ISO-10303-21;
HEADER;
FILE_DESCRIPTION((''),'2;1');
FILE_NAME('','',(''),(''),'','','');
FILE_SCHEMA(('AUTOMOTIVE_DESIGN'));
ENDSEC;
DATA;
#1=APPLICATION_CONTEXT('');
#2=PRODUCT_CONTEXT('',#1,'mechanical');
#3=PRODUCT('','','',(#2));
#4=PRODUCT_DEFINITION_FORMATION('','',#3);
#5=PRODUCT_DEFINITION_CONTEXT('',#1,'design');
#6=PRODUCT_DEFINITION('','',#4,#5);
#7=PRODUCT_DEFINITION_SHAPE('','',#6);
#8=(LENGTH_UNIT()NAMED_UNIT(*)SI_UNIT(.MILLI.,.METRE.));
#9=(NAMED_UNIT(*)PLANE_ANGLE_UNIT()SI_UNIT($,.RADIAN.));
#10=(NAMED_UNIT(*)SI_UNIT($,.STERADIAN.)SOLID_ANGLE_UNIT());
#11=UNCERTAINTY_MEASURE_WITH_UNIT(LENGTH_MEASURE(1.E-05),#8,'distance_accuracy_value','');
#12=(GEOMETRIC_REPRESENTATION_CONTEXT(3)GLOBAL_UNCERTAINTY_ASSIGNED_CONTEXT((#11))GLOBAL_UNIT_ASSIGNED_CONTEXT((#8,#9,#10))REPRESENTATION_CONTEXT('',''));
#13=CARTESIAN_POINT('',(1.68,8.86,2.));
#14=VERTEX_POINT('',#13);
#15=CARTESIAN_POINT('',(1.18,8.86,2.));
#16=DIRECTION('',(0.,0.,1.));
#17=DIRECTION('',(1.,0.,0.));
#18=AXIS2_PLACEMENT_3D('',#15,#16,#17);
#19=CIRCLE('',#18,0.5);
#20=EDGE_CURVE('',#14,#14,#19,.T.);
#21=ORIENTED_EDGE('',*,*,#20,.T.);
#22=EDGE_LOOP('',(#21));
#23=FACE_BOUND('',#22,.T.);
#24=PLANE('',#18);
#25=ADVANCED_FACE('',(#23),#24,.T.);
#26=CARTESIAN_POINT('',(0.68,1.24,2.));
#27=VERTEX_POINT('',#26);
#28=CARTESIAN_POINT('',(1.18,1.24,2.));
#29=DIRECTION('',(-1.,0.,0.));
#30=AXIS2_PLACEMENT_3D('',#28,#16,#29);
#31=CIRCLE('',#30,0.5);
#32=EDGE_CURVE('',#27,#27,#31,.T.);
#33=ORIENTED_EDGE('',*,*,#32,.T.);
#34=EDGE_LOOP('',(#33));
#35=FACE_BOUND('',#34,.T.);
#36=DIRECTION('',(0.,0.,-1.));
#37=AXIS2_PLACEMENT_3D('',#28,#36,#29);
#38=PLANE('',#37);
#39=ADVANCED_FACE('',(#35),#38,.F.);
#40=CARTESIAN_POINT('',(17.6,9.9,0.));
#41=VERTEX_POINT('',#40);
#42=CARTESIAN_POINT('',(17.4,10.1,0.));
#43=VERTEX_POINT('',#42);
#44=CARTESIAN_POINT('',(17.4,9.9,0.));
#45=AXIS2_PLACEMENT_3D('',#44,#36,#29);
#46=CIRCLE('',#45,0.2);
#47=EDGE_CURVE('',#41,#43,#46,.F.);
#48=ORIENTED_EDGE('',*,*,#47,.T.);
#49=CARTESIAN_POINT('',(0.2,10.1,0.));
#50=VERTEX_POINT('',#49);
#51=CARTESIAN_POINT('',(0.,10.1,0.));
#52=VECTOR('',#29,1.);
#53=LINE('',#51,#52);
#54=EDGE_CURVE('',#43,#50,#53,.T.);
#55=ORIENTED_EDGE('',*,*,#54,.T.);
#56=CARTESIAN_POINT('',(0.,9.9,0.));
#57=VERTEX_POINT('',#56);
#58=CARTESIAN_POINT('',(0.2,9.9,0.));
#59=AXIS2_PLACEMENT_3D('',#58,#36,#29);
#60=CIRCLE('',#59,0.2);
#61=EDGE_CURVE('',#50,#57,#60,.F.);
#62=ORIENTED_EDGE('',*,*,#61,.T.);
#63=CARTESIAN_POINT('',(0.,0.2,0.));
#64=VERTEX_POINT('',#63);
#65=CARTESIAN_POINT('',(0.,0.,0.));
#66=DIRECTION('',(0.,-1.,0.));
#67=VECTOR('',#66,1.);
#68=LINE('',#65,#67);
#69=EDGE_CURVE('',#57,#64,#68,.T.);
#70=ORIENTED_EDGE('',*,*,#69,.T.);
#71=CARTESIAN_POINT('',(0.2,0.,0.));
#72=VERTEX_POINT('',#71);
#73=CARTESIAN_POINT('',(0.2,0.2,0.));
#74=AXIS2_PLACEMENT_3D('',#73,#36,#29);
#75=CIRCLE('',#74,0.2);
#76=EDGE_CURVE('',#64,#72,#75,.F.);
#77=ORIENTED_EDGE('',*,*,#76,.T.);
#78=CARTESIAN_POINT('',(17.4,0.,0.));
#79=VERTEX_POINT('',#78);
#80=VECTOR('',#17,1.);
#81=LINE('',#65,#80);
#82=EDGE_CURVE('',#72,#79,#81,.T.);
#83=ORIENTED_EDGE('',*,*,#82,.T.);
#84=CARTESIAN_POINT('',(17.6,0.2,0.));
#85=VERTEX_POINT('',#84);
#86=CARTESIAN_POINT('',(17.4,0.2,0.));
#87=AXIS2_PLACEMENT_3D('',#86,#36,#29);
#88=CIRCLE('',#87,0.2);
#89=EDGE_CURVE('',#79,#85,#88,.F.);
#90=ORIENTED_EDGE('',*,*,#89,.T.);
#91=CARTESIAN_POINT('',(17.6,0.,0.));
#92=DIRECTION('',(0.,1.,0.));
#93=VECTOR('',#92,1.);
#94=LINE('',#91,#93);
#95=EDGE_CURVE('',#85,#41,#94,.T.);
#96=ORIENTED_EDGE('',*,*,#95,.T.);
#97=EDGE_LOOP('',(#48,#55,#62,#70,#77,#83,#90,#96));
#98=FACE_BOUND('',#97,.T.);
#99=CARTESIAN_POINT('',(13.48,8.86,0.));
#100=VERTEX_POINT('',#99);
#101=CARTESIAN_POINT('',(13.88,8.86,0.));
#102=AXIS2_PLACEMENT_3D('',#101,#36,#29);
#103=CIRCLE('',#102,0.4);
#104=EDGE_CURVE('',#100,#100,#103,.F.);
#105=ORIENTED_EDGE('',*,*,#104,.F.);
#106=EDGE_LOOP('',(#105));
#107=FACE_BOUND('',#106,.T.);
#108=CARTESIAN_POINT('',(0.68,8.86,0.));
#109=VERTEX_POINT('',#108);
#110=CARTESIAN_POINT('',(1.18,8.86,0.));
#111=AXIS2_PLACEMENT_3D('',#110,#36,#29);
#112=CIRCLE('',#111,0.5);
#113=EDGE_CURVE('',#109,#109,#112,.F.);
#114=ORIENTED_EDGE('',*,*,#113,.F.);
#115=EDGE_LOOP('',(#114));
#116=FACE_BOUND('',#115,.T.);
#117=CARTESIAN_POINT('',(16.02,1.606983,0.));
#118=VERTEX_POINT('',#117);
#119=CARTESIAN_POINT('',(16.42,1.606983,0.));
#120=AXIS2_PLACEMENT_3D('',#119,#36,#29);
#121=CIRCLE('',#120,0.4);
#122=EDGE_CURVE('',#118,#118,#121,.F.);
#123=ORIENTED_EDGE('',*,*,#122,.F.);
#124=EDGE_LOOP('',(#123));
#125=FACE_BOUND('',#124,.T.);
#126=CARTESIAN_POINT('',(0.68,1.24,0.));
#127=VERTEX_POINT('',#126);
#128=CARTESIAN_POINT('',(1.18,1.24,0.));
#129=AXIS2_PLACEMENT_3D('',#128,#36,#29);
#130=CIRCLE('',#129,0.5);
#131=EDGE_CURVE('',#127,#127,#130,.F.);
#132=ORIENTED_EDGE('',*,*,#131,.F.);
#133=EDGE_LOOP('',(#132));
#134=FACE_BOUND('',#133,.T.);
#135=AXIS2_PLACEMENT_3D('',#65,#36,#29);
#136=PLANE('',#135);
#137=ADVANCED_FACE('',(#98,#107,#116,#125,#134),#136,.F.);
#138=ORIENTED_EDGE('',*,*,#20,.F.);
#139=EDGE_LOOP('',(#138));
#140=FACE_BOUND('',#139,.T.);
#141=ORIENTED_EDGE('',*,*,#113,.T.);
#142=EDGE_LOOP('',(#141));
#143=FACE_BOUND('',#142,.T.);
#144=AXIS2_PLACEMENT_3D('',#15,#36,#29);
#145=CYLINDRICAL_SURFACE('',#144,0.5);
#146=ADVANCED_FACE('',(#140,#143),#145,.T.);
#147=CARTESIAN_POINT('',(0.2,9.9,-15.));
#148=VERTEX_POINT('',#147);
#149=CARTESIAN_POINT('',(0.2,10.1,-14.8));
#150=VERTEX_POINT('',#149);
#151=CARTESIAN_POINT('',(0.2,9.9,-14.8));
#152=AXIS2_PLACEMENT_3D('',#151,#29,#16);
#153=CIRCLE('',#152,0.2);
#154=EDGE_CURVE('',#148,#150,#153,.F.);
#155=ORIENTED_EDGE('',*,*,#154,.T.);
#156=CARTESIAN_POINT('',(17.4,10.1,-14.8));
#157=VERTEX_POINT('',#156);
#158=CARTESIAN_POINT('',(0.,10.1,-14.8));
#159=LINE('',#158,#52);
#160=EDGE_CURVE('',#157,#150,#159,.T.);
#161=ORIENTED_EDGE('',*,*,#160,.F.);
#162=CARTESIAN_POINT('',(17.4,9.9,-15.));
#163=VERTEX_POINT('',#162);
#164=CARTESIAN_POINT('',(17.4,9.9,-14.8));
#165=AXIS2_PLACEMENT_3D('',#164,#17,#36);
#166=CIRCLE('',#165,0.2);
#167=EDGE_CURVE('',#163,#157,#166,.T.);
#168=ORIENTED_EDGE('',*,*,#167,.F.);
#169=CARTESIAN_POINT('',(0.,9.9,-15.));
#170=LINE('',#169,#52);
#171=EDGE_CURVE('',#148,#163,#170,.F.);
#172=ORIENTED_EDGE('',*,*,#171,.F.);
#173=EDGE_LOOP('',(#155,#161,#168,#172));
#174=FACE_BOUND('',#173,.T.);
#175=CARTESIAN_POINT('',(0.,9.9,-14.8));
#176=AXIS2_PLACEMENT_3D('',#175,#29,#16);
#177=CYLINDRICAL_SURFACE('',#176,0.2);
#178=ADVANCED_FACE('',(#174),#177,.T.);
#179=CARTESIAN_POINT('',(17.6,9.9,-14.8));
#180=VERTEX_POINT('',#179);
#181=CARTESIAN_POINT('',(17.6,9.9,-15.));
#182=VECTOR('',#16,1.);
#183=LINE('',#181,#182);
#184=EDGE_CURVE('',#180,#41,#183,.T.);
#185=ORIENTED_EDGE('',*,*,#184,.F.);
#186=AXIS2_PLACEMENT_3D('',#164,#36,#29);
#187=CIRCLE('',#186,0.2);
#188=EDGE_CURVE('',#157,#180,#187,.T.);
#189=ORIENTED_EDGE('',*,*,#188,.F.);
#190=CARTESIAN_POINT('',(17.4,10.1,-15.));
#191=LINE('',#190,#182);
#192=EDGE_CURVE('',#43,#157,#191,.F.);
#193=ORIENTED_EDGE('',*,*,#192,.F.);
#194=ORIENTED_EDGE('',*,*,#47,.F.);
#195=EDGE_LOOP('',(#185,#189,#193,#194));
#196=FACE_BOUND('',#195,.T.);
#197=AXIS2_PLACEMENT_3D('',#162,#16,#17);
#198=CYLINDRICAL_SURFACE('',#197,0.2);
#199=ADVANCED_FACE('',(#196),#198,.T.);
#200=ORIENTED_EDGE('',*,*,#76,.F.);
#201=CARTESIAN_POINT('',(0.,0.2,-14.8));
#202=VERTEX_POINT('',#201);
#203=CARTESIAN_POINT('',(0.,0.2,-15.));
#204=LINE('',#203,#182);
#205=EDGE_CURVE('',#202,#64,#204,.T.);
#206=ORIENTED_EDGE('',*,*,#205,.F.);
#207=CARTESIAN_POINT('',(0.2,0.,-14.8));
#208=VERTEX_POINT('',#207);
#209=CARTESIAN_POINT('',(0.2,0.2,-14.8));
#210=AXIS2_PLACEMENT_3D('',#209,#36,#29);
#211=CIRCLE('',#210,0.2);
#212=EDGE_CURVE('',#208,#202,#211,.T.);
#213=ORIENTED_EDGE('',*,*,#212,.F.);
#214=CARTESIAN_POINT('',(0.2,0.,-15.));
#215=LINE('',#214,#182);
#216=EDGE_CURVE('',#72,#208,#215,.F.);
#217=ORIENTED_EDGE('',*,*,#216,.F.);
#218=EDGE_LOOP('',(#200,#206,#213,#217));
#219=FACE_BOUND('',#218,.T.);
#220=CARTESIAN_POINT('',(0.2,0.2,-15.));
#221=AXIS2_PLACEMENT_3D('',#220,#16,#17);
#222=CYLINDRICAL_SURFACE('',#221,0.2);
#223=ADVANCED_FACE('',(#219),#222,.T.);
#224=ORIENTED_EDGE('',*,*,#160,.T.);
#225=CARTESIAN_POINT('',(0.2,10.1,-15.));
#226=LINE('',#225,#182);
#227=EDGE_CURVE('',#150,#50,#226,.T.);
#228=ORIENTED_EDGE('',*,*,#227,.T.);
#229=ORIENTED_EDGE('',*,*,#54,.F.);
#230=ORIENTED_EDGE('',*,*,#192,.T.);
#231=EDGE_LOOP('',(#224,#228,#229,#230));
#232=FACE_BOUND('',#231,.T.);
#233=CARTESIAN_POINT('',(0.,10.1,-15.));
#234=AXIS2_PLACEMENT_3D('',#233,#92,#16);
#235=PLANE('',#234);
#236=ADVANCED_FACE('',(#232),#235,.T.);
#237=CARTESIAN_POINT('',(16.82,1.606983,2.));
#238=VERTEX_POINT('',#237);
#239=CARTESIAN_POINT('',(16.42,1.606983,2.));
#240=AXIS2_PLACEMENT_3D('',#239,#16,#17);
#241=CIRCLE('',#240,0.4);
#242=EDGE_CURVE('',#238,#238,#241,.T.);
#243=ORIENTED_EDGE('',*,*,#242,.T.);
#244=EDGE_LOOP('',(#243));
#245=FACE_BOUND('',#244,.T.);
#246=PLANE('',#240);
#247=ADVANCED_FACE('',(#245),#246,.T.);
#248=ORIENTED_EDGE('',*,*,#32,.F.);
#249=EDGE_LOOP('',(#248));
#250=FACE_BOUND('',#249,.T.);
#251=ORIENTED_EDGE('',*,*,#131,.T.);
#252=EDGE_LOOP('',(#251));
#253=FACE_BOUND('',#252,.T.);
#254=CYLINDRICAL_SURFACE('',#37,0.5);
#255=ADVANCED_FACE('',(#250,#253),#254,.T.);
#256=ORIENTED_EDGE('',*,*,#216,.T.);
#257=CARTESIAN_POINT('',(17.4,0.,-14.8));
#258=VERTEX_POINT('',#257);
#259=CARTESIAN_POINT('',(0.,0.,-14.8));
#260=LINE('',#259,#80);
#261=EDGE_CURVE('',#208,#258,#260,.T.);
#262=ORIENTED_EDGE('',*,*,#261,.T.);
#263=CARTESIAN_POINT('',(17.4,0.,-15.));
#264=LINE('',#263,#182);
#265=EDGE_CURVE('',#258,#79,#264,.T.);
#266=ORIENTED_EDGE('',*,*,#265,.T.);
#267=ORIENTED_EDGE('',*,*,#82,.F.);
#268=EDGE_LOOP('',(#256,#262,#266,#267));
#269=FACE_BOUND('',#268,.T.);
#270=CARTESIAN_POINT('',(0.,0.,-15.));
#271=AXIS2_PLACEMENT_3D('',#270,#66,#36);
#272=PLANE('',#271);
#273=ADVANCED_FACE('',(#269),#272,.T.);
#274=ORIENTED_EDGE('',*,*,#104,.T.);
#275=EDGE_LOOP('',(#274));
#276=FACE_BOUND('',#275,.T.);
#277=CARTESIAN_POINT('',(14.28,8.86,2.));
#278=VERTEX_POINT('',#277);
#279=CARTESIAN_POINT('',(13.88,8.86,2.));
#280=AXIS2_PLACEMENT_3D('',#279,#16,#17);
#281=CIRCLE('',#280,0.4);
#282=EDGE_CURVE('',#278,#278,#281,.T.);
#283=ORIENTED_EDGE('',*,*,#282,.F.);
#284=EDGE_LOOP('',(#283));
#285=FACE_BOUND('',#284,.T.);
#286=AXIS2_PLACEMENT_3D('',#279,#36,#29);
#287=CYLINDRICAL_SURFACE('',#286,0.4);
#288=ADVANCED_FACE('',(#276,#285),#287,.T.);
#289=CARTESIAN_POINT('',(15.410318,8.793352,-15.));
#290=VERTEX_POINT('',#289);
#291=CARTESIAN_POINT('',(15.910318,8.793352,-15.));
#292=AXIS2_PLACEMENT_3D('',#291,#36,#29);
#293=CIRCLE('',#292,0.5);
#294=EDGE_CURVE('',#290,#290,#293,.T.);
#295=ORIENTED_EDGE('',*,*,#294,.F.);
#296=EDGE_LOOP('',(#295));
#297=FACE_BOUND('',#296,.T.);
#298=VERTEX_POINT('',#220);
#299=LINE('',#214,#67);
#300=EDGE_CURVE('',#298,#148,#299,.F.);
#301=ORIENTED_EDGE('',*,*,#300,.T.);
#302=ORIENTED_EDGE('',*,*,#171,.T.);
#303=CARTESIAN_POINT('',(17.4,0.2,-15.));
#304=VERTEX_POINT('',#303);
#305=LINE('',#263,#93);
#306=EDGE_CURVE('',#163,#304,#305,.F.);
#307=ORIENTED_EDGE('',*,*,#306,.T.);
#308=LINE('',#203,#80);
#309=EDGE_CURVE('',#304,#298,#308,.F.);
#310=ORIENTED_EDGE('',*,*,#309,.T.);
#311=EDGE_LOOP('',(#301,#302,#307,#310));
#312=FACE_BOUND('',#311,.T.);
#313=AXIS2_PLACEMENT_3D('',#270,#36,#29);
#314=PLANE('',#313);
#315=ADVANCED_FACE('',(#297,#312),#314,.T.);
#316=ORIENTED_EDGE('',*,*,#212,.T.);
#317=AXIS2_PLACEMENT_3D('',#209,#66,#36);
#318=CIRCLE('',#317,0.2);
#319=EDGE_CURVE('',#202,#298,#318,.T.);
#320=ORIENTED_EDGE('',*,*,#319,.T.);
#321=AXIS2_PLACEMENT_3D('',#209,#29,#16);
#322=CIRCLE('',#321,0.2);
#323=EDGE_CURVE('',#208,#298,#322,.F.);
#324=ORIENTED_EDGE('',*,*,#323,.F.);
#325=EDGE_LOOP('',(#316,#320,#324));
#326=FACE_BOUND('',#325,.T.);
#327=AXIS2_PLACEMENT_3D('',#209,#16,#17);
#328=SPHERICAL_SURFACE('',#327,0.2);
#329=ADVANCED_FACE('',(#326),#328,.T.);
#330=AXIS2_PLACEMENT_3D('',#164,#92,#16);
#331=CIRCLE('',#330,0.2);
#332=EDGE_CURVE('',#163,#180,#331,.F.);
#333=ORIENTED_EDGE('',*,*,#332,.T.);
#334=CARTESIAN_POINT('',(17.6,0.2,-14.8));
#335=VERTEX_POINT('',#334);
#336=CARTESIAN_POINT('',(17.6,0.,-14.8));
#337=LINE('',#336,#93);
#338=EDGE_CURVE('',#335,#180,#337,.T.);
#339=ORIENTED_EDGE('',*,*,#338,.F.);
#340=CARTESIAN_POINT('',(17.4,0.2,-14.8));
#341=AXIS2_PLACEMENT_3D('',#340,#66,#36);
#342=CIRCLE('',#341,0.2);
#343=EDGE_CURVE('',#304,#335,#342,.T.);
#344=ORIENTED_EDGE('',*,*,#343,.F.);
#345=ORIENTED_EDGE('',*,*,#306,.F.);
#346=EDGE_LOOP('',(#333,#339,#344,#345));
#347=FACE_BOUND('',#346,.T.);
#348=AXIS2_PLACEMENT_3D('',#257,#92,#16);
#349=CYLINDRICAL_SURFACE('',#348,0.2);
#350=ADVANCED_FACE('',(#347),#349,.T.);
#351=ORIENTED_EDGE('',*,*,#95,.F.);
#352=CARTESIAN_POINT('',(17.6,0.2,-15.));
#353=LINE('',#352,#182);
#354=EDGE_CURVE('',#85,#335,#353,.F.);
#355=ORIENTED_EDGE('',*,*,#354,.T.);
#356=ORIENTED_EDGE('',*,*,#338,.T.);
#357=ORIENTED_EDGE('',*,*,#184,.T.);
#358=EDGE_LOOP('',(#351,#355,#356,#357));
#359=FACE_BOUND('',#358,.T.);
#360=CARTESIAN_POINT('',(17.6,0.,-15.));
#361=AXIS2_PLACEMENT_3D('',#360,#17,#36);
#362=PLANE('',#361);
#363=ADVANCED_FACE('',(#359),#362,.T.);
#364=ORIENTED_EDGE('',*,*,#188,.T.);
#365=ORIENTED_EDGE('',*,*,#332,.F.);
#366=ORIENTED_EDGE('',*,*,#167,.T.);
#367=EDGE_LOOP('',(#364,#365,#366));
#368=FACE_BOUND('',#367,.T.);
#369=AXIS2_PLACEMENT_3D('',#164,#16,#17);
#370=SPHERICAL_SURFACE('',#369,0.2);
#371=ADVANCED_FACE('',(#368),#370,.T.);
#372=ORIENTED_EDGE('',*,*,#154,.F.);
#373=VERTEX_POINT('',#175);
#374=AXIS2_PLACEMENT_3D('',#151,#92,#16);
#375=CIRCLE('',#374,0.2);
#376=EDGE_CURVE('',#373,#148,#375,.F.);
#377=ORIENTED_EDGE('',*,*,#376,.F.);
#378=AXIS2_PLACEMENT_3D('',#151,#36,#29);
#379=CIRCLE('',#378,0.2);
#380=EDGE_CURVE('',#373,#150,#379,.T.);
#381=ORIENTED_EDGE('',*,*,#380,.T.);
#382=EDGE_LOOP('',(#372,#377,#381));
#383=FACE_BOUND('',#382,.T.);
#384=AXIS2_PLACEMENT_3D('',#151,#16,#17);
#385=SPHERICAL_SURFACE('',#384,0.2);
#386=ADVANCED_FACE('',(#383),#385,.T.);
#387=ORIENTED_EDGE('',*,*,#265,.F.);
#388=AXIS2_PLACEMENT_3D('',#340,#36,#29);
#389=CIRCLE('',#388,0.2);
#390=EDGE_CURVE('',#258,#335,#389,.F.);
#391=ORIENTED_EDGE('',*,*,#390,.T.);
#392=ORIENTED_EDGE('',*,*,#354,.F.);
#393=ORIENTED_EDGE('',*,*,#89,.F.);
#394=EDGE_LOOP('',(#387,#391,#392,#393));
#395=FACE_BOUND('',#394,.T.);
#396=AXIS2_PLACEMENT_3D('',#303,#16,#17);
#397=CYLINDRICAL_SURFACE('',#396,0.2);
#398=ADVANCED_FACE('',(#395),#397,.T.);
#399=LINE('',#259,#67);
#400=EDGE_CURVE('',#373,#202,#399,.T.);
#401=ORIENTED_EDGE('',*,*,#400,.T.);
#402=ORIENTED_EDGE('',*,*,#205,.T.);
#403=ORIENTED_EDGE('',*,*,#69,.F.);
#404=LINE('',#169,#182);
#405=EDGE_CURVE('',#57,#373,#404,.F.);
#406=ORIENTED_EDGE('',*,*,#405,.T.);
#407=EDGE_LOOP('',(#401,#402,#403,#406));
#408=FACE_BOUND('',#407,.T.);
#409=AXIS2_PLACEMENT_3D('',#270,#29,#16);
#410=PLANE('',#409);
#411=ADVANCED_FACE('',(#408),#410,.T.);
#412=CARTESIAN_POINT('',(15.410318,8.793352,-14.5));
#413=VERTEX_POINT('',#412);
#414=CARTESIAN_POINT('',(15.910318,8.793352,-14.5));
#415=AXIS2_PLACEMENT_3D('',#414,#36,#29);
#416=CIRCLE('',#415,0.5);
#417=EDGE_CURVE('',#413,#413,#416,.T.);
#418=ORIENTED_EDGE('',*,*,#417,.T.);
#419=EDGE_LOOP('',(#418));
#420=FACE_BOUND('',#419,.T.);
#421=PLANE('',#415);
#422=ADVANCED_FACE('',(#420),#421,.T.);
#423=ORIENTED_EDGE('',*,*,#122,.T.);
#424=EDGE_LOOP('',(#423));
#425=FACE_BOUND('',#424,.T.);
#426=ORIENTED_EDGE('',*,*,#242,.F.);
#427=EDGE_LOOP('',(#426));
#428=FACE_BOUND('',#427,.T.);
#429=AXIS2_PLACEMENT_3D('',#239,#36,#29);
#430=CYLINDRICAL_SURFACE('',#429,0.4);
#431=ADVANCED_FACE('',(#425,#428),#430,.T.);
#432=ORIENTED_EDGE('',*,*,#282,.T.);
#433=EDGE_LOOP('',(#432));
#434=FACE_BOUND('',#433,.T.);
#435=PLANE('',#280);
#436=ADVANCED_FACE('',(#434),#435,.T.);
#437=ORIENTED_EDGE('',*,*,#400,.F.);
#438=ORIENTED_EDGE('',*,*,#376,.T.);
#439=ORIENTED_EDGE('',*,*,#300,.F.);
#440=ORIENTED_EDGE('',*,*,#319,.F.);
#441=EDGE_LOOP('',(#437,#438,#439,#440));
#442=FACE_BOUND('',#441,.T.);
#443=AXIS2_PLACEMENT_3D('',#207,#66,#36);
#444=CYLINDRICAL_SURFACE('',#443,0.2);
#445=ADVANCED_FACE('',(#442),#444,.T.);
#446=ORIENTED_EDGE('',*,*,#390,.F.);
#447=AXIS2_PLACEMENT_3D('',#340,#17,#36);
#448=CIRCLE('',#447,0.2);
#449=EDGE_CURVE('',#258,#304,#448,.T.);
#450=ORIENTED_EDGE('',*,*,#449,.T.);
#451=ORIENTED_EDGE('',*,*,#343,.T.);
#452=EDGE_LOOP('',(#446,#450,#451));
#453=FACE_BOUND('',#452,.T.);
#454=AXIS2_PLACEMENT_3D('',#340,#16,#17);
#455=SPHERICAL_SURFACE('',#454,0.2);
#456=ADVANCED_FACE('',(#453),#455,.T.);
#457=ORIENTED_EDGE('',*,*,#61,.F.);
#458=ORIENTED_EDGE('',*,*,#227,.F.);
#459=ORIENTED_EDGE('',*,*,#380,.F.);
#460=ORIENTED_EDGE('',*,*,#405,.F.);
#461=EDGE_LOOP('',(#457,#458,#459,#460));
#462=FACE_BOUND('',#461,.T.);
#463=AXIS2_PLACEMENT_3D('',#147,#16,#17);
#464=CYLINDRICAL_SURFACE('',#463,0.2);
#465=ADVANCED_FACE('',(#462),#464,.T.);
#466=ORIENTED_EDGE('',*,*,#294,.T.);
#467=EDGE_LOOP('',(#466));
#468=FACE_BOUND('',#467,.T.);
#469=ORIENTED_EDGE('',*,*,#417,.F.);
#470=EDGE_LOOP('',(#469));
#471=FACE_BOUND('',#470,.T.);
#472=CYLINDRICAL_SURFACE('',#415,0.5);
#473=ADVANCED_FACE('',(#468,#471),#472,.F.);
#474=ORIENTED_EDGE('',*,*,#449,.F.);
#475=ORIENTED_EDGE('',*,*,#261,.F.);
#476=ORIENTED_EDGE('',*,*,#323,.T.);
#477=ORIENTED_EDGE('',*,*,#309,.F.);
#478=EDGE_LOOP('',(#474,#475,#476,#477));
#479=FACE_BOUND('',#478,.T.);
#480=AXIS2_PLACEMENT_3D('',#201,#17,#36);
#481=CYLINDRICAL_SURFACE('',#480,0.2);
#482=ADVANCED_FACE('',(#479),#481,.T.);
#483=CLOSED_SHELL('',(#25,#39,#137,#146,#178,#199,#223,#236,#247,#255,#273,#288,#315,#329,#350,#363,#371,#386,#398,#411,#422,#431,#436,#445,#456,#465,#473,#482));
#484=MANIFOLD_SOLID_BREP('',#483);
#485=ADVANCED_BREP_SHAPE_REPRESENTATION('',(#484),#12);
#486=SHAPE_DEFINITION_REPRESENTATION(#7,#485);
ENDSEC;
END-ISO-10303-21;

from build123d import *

# Parameters (mm, degrees)
SKETCH_1_W          = 17.6
SKETCH_1_H          = 10.1
EXTRUDE_1_DEPTH     = 15
SKETCH_2_R          = 0.5
SKETCH_2_R_2        = 0.4
EXTRUDE_2_DEPTH     = 2
FILLET_1_R          = 0.2
SKETCH_3_R          = 0.5
CUT_EXTRUDE_1_DEPTH = 0.5


with BuildPart() as part:
    # 草图1 → 凸台-拉伸1 (new body)
    with BuildSketch(Plane.XY):
        with Locations((8.8, 5.05)):
            Rectangle(SKETCH_1_W, SKETCH_1_H)
    extrude(amount=-EXTRUDE_1_DEPTH)

    # 草图2 → 凸台-拉伸2 (add)
    with BuildSketch(Plane.XY):
        with Locations(Location((1.18, 8.86, 0), (0, 0, 180))):
            Circle(SKETCH_2_R)
        with Locations(Location((13.88, 8.86, 0), (0, 0, 180))):
            Circle(SKETCH_2_R_2)
        with Locations(Location((16.42, 1.606982533, 0), (0, 0, 180))):
            Circle(SKETCH_2_R_2)
        with Locations(Location((1.18, 1.24, 0), (0, 0, 180))):
            Circle(SKETCH_2_R)
    extrude(amount=EXTRUDE_2_DEPTH)

    # 圆角1
    fillet_1_edges = [part.edges().sort_by_distance(p)[0] for p in [
        (17.6, 5.05, -15),
        (8.8, 10.1, -15),
        (0, 5.05, -15),
        (8.8, 0, -15),
        (0, 10.1, -7.5),
        (17.6, 10.1, -7.5),
        (17.6, 0, -7.5),
        (0, 0, -7.5),
    ]]
    fillet(fillet_1_edges, radius=FILLET_1_R)

    # 草图3 → 切除-拉伸1 (cut)
    with BuildSketch(Plane(origin=(0, 0, -15), x_dir=(-1, 0, 0), z_dir=(0, 0, -1))):
        with Locations((-15.910317982, 8.793351903)):
            Circle(SKETCH_3_R)
    extrude(amount=-CUT_EXTRUDE_1_DEPTH, mode=Mode.SUBTRACT)


solid = part.part
